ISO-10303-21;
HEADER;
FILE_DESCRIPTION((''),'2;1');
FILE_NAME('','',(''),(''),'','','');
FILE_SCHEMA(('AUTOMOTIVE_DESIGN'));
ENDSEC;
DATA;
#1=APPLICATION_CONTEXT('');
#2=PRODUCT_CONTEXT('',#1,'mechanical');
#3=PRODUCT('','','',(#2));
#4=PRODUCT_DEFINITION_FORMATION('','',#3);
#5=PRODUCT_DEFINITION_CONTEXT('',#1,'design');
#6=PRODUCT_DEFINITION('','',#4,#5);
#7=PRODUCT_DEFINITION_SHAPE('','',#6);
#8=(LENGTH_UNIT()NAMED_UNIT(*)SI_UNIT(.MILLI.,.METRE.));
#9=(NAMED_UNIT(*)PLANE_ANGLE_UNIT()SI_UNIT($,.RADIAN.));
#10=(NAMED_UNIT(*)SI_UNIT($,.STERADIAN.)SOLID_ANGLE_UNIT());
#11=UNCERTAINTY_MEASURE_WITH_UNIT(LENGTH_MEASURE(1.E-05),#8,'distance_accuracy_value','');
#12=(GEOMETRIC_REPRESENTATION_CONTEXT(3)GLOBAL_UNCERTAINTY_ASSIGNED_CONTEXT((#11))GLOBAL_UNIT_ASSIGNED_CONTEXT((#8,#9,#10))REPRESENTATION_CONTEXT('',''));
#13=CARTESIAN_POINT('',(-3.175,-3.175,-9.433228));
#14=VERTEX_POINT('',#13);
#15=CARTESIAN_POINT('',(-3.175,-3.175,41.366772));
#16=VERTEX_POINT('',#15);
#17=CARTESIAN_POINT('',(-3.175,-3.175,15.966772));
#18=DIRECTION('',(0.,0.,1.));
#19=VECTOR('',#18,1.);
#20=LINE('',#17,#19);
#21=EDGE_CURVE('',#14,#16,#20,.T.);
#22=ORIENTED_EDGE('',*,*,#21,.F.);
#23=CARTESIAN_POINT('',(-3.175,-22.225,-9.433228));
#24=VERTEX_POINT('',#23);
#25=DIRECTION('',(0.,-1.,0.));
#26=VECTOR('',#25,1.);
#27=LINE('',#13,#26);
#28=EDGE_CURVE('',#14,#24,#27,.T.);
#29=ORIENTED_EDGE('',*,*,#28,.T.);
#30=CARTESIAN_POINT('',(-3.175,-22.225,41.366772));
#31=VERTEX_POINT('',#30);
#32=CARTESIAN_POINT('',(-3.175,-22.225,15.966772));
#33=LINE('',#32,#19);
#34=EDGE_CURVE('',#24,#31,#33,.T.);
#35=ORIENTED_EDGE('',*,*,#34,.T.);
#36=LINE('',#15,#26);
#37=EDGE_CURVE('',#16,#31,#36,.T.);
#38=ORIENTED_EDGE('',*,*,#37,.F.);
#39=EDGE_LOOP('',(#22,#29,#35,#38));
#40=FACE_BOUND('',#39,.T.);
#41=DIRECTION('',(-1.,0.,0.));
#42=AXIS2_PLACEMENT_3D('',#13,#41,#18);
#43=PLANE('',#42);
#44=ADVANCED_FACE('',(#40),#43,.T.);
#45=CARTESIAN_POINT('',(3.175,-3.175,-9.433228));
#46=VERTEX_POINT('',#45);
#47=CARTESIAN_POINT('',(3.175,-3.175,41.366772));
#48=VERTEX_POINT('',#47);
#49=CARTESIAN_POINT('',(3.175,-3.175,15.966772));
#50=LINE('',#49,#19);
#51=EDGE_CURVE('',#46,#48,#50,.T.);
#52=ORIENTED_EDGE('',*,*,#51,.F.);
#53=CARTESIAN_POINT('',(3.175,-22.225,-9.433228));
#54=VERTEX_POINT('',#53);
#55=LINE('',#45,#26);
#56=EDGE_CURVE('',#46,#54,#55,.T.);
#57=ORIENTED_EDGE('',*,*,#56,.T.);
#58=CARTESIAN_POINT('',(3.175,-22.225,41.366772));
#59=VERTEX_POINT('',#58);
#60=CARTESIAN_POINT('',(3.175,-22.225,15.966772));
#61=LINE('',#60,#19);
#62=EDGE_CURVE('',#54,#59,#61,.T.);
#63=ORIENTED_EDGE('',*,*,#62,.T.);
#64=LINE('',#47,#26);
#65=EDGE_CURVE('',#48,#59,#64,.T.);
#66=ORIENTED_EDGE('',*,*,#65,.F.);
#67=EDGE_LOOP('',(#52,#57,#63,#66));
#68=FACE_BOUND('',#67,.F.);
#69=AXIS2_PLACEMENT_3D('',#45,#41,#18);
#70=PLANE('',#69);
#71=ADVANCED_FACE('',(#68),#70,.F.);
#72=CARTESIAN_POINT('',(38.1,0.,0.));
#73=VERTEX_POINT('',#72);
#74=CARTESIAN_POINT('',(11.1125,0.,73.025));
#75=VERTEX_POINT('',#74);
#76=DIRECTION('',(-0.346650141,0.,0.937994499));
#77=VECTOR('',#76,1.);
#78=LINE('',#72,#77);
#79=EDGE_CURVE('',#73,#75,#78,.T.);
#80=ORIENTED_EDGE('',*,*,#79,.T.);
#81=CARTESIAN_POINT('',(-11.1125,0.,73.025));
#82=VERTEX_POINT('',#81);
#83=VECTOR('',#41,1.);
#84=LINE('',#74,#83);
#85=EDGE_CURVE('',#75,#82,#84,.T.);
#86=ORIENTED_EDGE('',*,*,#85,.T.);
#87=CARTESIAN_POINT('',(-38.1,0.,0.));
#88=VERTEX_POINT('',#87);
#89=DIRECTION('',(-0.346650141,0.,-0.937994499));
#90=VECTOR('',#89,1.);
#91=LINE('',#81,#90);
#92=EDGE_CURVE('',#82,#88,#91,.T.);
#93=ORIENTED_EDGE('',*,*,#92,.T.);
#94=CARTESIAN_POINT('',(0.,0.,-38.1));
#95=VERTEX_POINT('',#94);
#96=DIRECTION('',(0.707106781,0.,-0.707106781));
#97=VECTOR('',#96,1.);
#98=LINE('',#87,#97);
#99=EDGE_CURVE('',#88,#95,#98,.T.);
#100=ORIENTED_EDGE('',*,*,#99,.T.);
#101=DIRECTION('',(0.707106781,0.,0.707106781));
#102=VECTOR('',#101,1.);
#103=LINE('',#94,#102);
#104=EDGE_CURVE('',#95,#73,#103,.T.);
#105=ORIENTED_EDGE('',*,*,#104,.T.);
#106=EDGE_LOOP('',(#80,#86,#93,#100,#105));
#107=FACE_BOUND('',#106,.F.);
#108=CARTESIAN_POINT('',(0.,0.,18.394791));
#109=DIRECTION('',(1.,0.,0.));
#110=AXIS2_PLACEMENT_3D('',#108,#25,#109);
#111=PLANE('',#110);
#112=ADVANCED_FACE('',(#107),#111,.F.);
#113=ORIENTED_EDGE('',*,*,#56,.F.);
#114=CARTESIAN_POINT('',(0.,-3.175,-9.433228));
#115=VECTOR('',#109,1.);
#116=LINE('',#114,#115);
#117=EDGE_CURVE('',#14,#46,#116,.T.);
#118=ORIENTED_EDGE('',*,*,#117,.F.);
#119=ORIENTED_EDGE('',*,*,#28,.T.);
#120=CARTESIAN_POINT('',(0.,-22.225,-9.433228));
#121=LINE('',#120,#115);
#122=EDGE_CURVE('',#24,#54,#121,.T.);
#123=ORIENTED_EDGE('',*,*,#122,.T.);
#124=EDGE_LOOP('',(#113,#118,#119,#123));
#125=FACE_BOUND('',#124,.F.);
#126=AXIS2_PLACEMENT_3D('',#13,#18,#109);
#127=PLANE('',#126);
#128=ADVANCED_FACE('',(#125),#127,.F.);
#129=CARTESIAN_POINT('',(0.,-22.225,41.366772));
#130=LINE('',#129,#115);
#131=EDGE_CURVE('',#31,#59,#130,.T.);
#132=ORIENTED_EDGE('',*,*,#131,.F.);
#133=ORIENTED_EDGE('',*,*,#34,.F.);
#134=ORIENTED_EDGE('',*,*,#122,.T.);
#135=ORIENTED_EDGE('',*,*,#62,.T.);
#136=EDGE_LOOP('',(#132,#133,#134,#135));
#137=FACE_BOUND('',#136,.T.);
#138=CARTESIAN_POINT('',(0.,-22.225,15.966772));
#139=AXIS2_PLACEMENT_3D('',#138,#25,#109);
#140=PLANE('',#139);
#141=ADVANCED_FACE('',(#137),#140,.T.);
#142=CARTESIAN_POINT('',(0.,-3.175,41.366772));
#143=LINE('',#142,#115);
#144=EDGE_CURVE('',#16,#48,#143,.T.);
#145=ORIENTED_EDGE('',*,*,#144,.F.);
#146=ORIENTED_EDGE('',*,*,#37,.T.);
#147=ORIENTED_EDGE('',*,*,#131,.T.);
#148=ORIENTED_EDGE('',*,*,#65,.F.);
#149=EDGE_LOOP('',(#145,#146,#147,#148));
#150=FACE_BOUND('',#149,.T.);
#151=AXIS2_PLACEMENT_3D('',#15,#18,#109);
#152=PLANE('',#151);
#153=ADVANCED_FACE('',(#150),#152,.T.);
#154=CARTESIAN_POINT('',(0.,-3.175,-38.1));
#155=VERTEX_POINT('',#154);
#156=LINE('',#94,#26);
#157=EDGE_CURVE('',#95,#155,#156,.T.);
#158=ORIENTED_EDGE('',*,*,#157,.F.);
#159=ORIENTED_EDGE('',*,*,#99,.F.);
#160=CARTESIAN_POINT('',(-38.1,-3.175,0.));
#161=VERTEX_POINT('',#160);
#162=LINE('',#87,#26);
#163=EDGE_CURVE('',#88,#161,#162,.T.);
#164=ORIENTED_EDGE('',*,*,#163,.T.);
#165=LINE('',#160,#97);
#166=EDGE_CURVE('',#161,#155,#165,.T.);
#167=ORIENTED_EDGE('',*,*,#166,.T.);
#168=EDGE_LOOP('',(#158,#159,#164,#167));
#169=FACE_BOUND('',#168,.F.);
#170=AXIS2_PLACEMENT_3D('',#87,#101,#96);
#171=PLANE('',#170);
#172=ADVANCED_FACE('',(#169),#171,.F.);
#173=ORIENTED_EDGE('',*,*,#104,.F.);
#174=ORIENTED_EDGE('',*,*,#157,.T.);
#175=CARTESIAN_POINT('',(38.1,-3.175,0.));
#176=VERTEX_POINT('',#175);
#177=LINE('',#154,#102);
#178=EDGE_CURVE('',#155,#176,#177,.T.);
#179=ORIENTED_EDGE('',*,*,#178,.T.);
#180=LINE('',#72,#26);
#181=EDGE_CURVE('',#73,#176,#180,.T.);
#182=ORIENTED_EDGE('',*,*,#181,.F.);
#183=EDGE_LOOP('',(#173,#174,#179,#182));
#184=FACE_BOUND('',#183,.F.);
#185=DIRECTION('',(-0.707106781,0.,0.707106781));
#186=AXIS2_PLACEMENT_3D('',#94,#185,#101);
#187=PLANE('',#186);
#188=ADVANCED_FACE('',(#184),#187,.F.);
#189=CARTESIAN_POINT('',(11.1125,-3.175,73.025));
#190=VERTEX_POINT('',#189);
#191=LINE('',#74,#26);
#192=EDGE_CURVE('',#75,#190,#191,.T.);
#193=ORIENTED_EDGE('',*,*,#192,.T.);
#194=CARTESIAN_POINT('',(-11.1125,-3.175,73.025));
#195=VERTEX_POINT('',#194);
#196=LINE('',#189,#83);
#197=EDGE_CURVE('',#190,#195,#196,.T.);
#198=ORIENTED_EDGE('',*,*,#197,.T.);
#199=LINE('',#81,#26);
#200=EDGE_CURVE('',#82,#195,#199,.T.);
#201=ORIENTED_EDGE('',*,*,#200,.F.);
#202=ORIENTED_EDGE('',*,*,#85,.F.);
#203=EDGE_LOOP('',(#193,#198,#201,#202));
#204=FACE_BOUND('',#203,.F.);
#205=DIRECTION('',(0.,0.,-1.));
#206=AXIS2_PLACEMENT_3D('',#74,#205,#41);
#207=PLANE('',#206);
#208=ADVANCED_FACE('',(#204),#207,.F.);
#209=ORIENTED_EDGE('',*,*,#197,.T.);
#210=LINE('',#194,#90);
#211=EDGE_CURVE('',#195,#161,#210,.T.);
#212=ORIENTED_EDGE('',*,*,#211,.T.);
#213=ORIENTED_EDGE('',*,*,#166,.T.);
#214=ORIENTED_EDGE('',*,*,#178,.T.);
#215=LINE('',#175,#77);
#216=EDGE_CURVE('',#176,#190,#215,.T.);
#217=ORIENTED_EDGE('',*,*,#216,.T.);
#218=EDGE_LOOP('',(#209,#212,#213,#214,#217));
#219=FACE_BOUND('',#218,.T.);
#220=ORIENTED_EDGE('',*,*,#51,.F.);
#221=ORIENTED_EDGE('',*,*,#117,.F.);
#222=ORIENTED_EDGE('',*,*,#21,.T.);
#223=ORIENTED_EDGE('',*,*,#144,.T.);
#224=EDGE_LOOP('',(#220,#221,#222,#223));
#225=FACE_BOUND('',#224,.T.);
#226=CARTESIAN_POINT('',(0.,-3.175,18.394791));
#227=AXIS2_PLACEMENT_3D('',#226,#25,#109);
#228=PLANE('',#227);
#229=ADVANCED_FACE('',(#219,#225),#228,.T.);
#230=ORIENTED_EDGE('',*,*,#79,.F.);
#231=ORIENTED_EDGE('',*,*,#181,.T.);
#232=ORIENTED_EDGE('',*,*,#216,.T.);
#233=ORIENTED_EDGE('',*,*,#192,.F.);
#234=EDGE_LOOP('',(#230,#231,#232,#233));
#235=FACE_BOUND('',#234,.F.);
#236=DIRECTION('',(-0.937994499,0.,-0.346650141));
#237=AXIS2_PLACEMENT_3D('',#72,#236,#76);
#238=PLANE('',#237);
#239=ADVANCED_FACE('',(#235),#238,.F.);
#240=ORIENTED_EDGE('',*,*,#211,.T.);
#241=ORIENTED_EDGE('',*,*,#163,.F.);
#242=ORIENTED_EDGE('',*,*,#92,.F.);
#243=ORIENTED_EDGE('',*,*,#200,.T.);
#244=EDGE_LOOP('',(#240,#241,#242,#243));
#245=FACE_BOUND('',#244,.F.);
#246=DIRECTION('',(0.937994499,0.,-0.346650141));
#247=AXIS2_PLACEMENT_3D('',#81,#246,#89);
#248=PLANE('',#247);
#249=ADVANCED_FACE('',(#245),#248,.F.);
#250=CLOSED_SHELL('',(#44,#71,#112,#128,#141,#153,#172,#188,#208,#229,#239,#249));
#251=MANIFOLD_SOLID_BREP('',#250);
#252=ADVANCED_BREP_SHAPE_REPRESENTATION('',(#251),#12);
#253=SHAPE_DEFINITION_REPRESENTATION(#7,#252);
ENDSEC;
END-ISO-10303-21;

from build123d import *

# Parameters (mm, degrees)
F1_DEPTH = 3.175
F2_W     = 6.35
F2_H     = 50.8
F3_DEPTH = 19.05


with BuildPart() as f1:
    # F0 (on Front) → F1 (new body)
    with BuildSketch(Plane.XZ):
        Polygon((38.1, 0), (11.1125, 73.025), (-11.1125, 73.025), (-38.1, 0), (0, -38.1), align=None)
    extrude(amount=F1_DEPTH)

    # F2 (on face) → F3 (join)
    with BuildSketch(Plane.XZ.offset(3.175)):
        with Locations((0, 15.966772)):
            Rectangle(F2_W, F2_H)
    extrude(amount=F3_DEPTH)


solid = f1.part
